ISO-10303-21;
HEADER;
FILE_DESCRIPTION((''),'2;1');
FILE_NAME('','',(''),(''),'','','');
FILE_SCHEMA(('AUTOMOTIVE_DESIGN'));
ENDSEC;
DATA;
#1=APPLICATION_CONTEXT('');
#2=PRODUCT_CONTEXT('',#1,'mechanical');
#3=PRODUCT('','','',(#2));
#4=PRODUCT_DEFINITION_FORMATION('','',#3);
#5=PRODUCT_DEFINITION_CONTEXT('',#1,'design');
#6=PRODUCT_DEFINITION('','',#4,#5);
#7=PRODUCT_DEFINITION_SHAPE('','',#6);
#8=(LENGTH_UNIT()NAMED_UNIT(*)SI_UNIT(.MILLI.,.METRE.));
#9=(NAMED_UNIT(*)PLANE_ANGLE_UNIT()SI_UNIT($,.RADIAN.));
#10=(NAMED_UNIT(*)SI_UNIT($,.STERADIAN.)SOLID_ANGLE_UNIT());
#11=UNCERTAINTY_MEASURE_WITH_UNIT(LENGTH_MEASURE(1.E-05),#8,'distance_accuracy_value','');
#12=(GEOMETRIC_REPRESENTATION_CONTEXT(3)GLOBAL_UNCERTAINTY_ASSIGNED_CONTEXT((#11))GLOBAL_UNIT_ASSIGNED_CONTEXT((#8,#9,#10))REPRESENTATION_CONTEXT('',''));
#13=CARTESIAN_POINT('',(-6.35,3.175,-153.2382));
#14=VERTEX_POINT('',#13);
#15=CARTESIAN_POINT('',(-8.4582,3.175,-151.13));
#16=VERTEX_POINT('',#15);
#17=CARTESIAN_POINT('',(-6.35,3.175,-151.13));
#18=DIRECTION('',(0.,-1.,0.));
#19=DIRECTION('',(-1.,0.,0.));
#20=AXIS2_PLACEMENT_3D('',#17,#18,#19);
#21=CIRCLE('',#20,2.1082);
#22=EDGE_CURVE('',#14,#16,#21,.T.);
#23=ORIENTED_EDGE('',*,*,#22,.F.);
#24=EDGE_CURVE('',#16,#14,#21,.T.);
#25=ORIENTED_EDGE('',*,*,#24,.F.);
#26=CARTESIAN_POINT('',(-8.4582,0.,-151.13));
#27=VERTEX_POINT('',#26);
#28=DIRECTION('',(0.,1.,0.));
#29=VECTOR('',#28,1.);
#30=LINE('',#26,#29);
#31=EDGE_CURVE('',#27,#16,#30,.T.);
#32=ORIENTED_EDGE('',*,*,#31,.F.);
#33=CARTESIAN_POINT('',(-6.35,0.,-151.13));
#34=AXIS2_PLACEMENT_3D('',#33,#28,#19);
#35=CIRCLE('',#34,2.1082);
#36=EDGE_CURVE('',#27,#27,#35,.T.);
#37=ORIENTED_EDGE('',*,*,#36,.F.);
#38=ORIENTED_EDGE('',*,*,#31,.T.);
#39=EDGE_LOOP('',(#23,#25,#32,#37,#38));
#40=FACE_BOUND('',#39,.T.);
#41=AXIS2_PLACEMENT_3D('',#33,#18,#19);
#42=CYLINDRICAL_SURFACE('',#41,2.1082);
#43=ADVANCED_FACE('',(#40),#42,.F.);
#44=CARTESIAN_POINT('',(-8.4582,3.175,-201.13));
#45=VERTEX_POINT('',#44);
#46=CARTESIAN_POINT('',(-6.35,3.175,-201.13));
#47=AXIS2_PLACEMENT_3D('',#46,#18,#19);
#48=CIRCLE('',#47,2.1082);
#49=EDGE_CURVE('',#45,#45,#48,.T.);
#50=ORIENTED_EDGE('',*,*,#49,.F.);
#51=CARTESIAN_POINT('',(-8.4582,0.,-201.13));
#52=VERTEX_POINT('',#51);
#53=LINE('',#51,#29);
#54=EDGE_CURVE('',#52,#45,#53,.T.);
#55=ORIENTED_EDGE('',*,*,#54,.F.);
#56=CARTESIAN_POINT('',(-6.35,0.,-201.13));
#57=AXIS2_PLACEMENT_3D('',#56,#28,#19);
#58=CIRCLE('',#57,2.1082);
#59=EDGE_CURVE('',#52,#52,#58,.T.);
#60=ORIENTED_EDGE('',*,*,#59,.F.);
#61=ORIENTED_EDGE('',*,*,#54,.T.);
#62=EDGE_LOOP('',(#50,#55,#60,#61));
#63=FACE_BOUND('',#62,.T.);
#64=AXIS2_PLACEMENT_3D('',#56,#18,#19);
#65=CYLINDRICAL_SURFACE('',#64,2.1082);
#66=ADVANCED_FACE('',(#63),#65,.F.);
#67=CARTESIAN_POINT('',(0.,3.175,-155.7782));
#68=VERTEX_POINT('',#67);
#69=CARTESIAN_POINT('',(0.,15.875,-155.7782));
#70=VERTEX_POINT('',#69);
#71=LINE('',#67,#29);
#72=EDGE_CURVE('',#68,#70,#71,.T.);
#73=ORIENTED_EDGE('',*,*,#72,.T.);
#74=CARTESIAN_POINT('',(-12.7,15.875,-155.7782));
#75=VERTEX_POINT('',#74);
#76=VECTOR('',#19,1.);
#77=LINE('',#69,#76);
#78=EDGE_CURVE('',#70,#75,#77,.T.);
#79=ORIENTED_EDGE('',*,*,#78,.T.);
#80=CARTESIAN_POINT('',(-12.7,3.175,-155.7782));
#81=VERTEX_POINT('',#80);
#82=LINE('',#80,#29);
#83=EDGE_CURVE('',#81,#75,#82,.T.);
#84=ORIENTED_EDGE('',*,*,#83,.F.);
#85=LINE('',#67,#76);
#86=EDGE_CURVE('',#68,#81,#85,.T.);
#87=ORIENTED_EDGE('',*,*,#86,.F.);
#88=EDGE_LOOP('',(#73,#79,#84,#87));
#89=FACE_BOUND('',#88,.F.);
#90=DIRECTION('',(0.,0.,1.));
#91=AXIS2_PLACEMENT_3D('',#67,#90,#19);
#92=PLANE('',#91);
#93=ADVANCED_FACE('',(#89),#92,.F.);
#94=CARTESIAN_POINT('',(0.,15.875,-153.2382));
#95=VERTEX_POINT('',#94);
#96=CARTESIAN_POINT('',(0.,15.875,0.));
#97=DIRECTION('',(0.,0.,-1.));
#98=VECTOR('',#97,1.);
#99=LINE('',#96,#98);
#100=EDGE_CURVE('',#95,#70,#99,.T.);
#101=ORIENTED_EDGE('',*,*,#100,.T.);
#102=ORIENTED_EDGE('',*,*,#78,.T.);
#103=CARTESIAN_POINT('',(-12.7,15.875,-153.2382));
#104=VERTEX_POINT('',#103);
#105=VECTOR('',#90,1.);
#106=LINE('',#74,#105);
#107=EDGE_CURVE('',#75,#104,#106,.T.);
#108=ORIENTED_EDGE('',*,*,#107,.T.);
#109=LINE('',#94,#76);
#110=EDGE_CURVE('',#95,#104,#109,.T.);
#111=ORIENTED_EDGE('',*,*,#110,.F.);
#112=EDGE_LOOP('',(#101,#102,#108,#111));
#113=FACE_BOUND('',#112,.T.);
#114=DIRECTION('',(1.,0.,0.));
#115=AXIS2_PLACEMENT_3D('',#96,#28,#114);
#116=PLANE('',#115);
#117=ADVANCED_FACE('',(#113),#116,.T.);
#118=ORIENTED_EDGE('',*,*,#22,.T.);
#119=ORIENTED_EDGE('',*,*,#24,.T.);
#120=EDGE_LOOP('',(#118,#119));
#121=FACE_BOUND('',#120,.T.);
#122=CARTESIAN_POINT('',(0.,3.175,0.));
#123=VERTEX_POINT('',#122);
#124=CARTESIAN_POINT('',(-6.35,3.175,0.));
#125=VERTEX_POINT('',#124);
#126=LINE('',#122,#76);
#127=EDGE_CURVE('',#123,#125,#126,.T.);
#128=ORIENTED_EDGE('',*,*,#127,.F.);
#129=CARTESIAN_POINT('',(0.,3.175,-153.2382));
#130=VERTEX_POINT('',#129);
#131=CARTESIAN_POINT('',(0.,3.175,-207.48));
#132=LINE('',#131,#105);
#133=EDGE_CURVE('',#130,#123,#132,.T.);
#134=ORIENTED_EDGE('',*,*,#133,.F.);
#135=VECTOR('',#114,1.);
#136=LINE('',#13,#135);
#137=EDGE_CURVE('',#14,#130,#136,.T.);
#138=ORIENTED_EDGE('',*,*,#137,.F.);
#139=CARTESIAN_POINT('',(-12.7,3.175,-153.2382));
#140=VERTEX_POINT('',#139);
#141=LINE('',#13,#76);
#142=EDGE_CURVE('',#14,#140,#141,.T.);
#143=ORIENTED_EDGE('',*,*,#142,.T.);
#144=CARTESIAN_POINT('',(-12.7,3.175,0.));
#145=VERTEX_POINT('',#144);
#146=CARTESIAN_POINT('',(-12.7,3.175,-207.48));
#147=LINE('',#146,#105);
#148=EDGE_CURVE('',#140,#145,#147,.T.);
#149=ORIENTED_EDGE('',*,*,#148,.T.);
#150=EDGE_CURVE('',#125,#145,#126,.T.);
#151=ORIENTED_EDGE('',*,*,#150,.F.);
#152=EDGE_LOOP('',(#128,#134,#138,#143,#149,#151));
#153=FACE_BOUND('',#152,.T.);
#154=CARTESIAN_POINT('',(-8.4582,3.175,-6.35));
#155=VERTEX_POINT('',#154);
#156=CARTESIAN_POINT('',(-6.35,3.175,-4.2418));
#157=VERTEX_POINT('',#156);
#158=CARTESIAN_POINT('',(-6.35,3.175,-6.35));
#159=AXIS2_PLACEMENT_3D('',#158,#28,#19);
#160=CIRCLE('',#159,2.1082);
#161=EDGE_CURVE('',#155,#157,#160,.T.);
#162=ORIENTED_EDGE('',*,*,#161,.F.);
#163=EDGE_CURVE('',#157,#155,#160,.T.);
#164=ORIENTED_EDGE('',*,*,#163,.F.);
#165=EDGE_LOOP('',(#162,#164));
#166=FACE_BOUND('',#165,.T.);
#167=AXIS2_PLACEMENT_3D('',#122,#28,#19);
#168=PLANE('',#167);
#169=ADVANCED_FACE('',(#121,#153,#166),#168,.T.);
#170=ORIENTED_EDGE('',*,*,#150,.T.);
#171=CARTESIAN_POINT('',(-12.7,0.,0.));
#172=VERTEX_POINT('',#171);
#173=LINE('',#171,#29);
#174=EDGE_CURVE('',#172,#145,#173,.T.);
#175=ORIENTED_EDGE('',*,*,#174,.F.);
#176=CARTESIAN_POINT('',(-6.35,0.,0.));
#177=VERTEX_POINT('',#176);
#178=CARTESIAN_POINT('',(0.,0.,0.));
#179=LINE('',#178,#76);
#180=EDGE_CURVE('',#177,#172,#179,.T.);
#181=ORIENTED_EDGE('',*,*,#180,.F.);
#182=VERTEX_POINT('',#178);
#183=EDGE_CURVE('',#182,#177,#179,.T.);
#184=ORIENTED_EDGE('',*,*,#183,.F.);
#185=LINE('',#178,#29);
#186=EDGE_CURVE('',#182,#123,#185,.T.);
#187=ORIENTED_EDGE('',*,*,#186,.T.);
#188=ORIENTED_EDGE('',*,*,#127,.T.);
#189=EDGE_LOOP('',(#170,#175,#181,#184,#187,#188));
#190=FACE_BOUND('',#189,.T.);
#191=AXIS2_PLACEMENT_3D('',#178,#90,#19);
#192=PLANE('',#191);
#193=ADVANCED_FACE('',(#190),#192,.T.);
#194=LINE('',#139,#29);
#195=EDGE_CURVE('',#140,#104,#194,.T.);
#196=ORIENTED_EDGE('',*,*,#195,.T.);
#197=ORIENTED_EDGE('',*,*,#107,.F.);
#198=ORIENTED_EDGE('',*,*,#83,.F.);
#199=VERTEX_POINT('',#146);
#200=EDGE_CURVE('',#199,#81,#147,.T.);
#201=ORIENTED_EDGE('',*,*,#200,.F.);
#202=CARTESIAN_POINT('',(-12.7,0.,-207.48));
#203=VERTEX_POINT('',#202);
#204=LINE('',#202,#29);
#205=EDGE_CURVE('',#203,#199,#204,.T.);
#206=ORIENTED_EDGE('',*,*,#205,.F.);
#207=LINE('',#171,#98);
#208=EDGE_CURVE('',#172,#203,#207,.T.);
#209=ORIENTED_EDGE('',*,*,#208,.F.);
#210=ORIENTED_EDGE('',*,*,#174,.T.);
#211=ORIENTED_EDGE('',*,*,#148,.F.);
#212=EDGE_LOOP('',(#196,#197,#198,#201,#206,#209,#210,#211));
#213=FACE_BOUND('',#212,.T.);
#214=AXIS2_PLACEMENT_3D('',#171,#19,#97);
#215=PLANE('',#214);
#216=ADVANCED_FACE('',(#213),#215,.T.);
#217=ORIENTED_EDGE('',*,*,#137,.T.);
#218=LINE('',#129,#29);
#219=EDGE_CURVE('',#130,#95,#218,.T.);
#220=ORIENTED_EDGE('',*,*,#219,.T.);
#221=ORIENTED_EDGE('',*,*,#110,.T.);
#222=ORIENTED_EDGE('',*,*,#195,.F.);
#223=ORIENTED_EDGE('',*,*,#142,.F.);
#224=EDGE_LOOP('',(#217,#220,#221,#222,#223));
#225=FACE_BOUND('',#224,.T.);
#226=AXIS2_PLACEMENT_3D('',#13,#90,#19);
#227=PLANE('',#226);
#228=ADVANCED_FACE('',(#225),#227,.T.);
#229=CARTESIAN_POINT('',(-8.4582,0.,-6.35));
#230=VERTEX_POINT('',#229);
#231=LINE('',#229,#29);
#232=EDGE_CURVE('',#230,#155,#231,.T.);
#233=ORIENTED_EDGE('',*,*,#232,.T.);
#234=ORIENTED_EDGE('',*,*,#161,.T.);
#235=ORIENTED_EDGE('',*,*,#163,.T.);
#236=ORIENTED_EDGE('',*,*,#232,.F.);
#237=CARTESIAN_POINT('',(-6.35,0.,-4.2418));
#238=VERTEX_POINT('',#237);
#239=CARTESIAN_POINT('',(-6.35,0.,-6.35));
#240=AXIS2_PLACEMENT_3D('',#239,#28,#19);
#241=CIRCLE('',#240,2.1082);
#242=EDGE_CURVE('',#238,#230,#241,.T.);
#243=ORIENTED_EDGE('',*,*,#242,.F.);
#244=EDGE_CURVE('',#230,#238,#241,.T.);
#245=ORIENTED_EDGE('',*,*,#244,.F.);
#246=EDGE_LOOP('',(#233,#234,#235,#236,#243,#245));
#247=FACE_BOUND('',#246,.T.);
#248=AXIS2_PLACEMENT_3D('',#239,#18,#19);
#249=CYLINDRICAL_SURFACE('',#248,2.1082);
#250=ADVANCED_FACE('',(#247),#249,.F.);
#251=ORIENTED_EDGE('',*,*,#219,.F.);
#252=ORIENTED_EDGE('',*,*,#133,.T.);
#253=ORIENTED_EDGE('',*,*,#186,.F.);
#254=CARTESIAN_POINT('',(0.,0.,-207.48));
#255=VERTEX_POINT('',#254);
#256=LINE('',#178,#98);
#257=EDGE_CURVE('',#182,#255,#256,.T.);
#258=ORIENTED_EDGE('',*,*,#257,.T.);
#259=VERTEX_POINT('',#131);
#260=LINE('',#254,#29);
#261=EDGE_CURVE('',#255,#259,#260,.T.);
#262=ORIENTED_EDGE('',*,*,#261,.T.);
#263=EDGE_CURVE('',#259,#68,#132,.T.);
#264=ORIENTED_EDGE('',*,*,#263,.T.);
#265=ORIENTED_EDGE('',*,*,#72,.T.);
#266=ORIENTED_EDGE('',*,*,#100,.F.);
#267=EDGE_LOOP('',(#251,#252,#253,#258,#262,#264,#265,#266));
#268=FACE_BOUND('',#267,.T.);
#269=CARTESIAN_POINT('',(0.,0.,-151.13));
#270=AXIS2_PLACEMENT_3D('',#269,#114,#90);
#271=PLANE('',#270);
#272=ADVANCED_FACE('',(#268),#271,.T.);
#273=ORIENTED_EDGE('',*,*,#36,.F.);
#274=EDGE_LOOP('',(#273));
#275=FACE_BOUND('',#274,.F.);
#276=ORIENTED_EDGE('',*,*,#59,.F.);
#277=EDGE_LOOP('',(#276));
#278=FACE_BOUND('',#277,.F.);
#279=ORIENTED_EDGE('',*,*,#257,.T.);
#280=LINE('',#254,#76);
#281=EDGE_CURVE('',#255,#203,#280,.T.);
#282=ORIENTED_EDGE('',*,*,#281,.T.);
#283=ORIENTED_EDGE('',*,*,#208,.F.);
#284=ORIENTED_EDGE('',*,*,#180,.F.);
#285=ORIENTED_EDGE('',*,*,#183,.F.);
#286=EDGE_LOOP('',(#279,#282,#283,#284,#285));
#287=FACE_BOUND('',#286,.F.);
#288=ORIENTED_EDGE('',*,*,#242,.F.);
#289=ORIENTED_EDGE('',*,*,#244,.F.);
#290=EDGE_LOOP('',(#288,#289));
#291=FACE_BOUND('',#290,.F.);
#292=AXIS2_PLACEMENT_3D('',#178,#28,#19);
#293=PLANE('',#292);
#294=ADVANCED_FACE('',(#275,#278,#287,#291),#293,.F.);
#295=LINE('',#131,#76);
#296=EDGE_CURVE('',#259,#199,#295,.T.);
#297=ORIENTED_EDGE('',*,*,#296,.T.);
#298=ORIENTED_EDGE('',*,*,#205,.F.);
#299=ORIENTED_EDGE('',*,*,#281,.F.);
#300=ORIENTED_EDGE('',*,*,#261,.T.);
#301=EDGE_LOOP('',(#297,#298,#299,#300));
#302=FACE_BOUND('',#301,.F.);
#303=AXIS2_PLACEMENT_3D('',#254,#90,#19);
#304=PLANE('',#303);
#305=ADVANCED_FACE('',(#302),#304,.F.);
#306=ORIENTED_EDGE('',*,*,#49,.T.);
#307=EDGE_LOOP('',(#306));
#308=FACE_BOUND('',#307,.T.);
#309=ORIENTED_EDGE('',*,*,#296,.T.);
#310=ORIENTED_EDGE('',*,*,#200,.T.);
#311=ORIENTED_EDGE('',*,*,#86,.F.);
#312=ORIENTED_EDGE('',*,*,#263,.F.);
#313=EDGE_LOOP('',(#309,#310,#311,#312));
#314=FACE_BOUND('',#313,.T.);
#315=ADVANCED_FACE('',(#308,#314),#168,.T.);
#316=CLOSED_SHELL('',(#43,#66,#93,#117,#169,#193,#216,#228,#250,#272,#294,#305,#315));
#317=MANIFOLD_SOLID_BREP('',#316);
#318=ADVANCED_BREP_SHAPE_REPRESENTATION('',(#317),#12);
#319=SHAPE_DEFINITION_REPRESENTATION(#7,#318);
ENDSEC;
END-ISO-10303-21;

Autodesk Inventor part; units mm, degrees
ref_plane "YZ Plane" through (0, 0, 0) normal (1, 0, 0) x (0, 1, 0)
ref_plane "XZ Plane" through (0, 0, 0) normal (0, 1, 0) x (-1, 0, 0)
ref_plane "XY Plane" through (0, 0, 0) normal (0, 0, 1) x (1, 0, 0)
sketch "Sketch1" plane through (0, 0, 0) normal (0, 1, 0) x (-1, 0, 0)
  line L0 (0, 0) -> (12.7, 0)
  line L1 (12.7, 0) -> (12.7, -151.13)
  line L2 (12.7, -151.13) -> (0, -151.13)
  line L3 (0, -151.13) -> (0, 0)
  line L4 (6.35, 0) -> (6.35, -6.35)
  circle A0 centre (6.35, -6.35) radius 2.1082
  circle A1 centre (6.35, -151.13) radius 2.1082
  line L5 (6.35, -151.13) -> (6.35, -201.13)
  circle A2 centre (6.35, -201.13) radius 2.1082
  line L6 (6.35, -201.13) -> (0, -201.13)
  line L7 (0, -201.13) -> (0, -207.48)
  line L8 (0, -207.48) -> (12.7, -207.48)
  line L9 (12.7, -207.48) -> (12.7, -151.13)
  line L10 (12.7, -151.13) -> (0, -151.13)
  line L11 (0, -151.13) -> (0, -207.48)
  point P0 (0, -151.13)
  dimension "d0" = 12.7
  dimension "d2" = 6.35
  dimension "d3" = 4.2164
  dimension "d4" = 144.78
  dimension "d5" = 4.2164
  dimension "d6" = 50
  dimension "d7" = 4.2164
  dimension "d8" = 6.35
extrude "Extrusion1" add sketch "Sketch1" along normal blind 3.175 contours L0 L1 L2 A1 L3 | L2 A1 L5 A2 L6 L11 | L6 A2 L5 A1 L2 L9 L8 L7
sketch "Sketch2" plane through (0, 3.175, 0) normal (0, 1, 0) x (1, 0, 0)
  circle A0 centre (-6.35, 151.13) radius 2.1082 projected
  line L0 (-6.35, 153.2382) -> (0, 153.2382)
  line L1 (-6.35, 153.2382) -> (-12.7, 153.2382)
  line L2 (0, 0) -> (0, 207.48) projected
  line L3 (-12.7, 153.2382) -> (0, 153.2382)
  line L4 (0, 153.2382) -> (0, 155.7782)
  line L5 (0, 155.7782) -> (-12.7, 155.7782)
  line L6 (-12.7, 155.7782) -> (-12.7, 153.2382)
  dimension "d11" = 6.35
  dimension "d12" = 2.54
extrude "Extrusion2" add sketch "Sketch2" along normal blind 12.7 contours L1 L6 L5 L2 L0
properties part number "mock piston (single acting)"
